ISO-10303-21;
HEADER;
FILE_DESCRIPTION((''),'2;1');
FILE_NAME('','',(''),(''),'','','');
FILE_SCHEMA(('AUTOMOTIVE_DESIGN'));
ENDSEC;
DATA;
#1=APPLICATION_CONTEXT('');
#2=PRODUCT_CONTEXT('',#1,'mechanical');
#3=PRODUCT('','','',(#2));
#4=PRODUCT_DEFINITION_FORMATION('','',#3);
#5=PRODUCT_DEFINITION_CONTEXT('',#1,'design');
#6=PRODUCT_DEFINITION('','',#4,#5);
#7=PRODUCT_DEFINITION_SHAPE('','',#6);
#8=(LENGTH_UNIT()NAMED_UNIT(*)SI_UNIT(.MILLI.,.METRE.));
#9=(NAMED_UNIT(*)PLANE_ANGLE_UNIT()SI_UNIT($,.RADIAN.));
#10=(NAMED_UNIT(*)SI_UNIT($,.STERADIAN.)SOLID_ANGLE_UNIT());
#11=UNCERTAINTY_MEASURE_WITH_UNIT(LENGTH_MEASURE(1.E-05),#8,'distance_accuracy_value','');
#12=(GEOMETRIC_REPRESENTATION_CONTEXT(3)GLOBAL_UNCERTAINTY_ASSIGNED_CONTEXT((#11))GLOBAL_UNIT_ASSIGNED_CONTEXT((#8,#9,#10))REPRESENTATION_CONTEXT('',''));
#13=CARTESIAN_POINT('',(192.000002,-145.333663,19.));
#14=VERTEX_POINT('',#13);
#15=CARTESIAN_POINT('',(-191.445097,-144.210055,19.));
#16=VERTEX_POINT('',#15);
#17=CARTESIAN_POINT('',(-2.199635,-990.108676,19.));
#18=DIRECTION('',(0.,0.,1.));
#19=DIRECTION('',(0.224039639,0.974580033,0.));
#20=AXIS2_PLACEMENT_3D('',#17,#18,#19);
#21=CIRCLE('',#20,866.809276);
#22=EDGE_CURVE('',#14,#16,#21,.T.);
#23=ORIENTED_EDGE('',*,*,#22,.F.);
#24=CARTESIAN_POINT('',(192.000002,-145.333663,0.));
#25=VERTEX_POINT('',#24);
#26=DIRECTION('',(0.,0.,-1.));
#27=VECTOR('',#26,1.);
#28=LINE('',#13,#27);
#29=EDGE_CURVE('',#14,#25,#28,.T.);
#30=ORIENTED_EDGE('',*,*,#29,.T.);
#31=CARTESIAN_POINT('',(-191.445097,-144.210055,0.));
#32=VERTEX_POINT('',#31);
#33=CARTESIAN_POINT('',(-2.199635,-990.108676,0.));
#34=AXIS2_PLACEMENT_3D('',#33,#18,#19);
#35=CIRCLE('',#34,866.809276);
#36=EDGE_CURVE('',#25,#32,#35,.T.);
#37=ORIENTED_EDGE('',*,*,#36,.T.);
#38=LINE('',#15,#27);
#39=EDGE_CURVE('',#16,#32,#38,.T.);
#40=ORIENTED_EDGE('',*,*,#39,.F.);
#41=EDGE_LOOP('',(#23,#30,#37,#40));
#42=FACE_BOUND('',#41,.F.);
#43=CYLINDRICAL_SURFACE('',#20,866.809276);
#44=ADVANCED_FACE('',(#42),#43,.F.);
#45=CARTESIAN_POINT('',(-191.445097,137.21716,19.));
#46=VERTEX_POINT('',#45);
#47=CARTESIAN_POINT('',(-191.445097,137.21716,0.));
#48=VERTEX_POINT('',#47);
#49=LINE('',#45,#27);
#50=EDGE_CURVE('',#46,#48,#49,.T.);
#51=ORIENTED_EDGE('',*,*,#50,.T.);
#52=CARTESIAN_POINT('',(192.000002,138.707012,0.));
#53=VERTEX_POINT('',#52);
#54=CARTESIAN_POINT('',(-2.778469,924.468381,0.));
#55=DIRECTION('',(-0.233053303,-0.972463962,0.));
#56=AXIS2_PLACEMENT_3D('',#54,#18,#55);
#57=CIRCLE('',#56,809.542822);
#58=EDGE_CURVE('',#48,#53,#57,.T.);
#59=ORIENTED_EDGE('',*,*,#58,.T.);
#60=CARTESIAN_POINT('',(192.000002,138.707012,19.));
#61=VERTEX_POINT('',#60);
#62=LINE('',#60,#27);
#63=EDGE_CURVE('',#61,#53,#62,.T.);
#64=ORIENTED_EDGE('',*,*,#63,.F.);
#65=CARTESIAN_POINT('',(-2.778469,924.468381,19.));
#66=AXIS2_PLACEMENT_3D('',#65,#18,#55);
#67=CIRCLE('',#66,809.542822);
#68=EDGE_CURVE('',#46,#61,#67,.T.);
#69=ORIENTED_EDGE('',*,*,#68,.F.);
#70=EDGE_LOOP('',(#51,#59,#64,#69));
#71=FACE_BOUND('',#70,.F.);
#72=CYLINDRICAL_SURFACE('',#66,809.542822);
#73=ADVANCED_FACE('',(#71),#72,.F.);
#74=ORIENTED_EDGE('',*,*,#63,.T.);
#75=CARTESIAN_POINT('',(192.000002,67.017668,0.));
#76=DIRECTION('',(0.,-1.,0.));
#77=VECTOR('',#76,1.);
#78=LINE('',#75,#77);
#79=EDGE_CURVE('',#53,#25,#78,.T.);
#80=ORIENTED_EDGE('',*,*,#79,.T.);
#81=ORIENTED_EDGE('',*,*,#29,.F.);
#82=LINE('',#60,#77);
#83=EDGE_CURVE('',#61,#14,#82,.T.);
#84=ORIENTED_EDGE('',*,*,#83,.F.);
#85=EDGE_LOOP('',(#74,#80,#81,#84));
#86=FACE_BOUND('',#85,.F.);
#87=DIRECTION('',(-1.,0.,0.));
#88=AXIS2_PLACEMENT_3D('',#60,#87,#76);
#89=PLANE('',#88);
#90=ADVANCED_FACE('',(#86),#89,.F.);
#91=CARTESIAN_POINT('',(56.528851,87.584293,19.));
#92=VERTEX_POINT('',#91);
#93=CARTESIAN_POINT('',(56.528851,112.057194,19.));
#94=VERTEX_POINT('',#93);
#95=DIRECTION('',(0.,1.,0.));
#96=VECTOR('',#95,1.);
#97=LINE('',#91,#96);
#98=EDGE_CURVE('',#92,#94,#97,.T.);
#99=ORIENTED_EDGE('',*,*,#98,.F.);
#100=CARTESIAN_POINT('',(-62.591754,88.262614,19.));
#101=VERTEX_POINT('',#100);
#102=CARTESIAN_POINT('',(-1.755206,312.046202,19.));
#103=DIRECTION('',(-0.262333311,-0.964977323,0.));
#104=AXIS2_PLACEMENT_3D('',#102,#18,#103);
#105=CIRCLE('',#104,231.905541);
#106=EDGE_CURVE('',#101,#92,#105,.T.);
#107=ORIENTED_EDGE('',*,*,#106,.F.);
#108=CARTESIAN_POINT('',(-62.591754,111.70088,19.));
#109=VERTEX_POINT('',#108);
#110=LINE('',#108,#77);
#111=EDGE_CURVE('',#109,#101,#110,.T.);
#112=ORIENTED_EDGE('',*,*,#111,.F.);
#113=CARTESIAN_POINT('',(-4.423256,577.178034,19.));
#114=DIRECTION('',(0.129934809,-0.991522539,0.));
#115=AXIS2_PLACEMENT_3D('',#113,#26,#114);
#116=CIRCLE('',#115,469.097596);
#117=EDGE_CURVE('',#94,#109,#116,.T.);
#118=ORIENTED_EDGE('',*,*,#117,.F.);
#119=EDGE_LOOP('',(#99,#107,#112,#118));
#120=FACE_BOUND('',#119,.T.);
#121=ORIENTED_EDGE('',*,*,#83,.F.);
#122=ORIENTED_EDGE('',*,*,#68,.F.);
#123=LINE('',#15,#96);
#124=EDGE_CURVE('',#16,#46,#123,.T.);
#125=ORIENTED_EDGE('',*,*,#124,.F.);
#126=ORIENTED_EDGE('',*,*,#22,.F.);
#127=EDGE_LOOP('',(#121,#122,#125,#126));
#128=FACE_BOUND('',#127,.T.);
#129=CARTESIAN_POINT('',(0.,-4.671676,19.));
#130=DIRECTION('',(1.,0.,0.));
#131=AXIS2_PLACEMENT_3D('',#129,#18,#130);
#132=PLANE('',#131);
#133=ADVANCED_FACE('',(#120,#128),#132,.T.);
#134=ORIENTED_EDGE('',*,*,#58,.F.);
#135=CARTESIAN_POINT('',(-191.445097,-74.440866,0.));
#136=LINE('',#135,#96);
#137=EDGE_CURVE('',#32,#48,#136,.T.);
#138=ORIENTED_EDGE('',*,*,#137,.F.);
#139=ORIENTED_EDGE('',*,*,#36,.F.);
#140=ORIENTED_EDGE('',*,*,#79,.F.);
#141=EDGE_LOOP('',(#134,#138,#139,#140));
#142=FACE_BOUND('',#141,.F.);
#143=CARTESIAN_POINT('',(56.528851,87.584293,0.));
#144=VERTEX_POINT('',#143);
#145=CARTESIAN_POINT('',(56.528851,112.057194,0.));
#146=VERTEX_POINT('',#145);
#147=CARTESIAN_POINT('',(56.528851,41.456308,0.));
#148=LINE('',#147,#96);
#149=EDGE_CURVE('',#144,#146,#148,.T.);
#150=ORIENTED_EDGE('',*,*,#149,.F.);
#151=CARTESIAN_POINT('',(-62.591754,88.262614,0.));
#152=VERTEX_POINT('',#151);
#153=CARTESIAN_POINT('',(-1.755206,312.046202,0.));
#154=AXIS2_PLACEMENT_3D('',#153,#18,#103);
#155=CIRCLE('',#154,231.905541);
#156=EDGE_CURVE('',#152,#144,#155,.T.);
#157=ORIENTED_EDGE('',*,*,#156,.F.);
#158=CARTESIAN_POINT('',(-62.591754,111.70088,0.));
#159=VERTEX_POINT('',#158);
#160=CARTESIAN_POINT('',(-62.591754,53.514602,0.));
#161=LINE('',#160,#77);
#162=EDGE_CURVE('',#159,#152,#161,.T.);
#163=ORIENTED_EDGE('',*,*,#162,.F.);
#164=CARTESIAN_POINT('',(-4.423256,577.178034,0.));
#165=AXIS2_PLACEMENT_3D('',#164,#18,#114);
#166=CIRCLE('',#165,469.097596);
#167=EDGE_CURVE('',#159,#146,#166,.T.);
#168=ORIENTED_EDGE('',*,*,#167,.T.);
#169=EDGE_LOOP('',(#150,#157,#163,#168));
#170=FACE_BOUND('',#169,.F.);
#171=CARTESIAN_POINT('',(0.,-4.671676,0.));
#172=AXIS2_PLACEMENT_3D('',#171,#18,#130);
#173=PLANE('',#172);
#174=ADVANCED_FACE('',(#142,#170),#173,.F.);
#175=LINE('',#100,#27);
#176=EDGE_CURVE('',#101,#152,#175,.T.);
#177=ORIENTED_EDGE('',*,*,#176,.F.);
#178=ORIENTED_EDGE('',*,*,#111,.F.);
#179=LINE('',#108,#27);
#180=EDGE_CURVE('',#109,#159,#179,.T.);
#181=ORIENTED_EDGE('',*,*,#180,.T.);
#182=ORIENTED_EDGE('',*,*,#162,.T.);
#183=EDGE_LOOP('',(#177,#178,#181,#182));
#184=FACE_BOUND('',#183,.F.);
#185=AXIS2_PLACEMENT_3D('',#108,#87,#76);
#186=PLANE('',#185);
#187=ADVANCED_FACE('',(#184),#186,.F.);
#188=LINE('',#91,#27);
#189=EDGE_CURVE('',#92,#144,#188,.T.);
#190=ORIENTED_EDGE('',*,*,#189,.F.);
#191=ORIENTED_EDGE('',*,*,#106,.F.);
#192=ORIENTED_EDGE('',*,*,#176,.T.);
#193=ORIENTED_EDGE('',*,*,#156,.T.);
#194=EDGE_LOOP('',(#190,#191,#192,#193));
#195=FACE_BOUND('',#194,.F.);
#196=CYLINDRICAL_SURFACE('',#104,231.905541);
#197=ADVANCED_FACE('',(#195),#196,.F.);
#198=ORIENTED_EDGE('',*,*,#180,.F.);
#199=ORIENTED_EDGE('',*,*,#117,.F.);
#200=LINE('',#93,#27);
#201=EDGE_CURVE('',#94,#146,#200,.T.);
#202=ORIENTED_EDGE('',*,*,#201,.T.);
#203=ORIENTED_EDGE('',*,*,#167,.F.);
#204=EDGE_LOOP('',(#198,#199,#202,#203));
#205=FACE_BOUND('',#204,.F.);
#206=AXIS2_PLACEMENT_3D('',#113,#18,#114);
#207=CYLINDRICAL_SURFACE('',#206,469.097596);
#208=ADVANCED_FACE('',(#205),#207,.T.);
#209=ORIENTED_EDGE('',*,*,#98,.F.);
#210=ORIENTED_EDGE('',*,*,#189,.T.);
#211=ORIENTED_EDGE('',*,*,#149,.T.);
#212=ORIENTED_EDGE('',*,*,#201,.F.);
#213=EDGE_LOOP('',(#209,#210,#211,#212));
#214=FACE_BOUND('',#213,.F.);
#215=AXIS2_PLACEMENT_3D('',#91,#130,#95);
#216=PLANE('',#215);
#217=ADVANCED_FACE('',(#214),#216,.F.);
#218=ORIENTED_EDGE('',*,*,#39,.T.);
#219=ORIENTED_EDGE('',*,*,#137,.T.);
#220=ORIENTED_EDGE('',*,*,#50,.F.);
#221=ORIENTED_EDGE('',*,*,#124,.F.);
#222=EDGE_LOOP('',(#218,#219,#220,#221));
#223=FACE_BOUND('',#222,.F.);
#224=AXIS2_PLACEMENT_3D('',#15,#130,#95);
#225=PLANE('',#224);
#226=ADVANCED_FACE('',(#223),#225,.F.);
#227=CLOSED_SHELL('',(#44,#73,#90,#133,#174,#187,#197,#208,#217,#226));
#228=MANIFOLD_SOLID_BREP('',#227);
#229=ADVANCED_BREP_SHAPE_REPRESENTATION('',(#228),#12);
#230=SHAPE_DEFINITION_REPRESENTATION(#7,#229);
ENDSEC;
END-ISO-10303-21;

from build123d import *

# Parameters (mm, degrees)
F0_W     = 400
F0_H     = 350
F1_DEPTH = 19
F2_W     = 400
F2_H     = 350
F3_DEPTH = 19.001
F5_DEPTH = 19.001


with BuildPart() as f1:
    # F0 (on Top) → F1 (new body)
    with BuildSketch(Plane.XY):
        with Locations((0, -4.671676)):
            Rectangle(F0_W, F0_H)
    extrude(amount=F1_DEPTH)

    # F2 (on face) → F3 (cut, through all)
    with BuildSketch(Plane.XY.offset(19)):
        with Locations((0, -4.671676)):
            Rectangle(F2_W, F2_H)
        with BuildLine():
            ThreePointArc((192.000002, -145.333663), (0.340362, -123.303121), (-191.445097, -144.210055))
            Line((-191.445097, -144.210055), (-191.445097, 137.21716))
            ThreePointArc((-191.445097, 137.21716), (0.366935, 114.931669), (192.000002, 138.707012))
            Line((192.000002, 138.707012), (192.000002, -145.333663))
        make_face(mode=Mode.SUBTRACT)
    extrude(amount=-F3_DEPTH, mode=Mode.SUBTRACT)

    # F4 (on face) → F5 (cut, through all)
    with BuildSketch(Plane.XY.offset(19)):
        with BuildLine():
            ThreePointArc((56.528851, 112.057194), (-3.020095, 108.082536), (-62.591754, 111.70088))
            Line((-62.591754, 111.70088), (-62.591754, 88.262614))
            ThreePointArc((-62.591754, 88.262614), (-3.075748, 80.144421), (56.528851, 87.584293))
            Line((56.528851, 87.584293), (56.528851, 112.057194))
        make_face()
    extrude(amount=-F5_DEPTH, mode=Mode.SUBTRACT)


solid = f1.part
